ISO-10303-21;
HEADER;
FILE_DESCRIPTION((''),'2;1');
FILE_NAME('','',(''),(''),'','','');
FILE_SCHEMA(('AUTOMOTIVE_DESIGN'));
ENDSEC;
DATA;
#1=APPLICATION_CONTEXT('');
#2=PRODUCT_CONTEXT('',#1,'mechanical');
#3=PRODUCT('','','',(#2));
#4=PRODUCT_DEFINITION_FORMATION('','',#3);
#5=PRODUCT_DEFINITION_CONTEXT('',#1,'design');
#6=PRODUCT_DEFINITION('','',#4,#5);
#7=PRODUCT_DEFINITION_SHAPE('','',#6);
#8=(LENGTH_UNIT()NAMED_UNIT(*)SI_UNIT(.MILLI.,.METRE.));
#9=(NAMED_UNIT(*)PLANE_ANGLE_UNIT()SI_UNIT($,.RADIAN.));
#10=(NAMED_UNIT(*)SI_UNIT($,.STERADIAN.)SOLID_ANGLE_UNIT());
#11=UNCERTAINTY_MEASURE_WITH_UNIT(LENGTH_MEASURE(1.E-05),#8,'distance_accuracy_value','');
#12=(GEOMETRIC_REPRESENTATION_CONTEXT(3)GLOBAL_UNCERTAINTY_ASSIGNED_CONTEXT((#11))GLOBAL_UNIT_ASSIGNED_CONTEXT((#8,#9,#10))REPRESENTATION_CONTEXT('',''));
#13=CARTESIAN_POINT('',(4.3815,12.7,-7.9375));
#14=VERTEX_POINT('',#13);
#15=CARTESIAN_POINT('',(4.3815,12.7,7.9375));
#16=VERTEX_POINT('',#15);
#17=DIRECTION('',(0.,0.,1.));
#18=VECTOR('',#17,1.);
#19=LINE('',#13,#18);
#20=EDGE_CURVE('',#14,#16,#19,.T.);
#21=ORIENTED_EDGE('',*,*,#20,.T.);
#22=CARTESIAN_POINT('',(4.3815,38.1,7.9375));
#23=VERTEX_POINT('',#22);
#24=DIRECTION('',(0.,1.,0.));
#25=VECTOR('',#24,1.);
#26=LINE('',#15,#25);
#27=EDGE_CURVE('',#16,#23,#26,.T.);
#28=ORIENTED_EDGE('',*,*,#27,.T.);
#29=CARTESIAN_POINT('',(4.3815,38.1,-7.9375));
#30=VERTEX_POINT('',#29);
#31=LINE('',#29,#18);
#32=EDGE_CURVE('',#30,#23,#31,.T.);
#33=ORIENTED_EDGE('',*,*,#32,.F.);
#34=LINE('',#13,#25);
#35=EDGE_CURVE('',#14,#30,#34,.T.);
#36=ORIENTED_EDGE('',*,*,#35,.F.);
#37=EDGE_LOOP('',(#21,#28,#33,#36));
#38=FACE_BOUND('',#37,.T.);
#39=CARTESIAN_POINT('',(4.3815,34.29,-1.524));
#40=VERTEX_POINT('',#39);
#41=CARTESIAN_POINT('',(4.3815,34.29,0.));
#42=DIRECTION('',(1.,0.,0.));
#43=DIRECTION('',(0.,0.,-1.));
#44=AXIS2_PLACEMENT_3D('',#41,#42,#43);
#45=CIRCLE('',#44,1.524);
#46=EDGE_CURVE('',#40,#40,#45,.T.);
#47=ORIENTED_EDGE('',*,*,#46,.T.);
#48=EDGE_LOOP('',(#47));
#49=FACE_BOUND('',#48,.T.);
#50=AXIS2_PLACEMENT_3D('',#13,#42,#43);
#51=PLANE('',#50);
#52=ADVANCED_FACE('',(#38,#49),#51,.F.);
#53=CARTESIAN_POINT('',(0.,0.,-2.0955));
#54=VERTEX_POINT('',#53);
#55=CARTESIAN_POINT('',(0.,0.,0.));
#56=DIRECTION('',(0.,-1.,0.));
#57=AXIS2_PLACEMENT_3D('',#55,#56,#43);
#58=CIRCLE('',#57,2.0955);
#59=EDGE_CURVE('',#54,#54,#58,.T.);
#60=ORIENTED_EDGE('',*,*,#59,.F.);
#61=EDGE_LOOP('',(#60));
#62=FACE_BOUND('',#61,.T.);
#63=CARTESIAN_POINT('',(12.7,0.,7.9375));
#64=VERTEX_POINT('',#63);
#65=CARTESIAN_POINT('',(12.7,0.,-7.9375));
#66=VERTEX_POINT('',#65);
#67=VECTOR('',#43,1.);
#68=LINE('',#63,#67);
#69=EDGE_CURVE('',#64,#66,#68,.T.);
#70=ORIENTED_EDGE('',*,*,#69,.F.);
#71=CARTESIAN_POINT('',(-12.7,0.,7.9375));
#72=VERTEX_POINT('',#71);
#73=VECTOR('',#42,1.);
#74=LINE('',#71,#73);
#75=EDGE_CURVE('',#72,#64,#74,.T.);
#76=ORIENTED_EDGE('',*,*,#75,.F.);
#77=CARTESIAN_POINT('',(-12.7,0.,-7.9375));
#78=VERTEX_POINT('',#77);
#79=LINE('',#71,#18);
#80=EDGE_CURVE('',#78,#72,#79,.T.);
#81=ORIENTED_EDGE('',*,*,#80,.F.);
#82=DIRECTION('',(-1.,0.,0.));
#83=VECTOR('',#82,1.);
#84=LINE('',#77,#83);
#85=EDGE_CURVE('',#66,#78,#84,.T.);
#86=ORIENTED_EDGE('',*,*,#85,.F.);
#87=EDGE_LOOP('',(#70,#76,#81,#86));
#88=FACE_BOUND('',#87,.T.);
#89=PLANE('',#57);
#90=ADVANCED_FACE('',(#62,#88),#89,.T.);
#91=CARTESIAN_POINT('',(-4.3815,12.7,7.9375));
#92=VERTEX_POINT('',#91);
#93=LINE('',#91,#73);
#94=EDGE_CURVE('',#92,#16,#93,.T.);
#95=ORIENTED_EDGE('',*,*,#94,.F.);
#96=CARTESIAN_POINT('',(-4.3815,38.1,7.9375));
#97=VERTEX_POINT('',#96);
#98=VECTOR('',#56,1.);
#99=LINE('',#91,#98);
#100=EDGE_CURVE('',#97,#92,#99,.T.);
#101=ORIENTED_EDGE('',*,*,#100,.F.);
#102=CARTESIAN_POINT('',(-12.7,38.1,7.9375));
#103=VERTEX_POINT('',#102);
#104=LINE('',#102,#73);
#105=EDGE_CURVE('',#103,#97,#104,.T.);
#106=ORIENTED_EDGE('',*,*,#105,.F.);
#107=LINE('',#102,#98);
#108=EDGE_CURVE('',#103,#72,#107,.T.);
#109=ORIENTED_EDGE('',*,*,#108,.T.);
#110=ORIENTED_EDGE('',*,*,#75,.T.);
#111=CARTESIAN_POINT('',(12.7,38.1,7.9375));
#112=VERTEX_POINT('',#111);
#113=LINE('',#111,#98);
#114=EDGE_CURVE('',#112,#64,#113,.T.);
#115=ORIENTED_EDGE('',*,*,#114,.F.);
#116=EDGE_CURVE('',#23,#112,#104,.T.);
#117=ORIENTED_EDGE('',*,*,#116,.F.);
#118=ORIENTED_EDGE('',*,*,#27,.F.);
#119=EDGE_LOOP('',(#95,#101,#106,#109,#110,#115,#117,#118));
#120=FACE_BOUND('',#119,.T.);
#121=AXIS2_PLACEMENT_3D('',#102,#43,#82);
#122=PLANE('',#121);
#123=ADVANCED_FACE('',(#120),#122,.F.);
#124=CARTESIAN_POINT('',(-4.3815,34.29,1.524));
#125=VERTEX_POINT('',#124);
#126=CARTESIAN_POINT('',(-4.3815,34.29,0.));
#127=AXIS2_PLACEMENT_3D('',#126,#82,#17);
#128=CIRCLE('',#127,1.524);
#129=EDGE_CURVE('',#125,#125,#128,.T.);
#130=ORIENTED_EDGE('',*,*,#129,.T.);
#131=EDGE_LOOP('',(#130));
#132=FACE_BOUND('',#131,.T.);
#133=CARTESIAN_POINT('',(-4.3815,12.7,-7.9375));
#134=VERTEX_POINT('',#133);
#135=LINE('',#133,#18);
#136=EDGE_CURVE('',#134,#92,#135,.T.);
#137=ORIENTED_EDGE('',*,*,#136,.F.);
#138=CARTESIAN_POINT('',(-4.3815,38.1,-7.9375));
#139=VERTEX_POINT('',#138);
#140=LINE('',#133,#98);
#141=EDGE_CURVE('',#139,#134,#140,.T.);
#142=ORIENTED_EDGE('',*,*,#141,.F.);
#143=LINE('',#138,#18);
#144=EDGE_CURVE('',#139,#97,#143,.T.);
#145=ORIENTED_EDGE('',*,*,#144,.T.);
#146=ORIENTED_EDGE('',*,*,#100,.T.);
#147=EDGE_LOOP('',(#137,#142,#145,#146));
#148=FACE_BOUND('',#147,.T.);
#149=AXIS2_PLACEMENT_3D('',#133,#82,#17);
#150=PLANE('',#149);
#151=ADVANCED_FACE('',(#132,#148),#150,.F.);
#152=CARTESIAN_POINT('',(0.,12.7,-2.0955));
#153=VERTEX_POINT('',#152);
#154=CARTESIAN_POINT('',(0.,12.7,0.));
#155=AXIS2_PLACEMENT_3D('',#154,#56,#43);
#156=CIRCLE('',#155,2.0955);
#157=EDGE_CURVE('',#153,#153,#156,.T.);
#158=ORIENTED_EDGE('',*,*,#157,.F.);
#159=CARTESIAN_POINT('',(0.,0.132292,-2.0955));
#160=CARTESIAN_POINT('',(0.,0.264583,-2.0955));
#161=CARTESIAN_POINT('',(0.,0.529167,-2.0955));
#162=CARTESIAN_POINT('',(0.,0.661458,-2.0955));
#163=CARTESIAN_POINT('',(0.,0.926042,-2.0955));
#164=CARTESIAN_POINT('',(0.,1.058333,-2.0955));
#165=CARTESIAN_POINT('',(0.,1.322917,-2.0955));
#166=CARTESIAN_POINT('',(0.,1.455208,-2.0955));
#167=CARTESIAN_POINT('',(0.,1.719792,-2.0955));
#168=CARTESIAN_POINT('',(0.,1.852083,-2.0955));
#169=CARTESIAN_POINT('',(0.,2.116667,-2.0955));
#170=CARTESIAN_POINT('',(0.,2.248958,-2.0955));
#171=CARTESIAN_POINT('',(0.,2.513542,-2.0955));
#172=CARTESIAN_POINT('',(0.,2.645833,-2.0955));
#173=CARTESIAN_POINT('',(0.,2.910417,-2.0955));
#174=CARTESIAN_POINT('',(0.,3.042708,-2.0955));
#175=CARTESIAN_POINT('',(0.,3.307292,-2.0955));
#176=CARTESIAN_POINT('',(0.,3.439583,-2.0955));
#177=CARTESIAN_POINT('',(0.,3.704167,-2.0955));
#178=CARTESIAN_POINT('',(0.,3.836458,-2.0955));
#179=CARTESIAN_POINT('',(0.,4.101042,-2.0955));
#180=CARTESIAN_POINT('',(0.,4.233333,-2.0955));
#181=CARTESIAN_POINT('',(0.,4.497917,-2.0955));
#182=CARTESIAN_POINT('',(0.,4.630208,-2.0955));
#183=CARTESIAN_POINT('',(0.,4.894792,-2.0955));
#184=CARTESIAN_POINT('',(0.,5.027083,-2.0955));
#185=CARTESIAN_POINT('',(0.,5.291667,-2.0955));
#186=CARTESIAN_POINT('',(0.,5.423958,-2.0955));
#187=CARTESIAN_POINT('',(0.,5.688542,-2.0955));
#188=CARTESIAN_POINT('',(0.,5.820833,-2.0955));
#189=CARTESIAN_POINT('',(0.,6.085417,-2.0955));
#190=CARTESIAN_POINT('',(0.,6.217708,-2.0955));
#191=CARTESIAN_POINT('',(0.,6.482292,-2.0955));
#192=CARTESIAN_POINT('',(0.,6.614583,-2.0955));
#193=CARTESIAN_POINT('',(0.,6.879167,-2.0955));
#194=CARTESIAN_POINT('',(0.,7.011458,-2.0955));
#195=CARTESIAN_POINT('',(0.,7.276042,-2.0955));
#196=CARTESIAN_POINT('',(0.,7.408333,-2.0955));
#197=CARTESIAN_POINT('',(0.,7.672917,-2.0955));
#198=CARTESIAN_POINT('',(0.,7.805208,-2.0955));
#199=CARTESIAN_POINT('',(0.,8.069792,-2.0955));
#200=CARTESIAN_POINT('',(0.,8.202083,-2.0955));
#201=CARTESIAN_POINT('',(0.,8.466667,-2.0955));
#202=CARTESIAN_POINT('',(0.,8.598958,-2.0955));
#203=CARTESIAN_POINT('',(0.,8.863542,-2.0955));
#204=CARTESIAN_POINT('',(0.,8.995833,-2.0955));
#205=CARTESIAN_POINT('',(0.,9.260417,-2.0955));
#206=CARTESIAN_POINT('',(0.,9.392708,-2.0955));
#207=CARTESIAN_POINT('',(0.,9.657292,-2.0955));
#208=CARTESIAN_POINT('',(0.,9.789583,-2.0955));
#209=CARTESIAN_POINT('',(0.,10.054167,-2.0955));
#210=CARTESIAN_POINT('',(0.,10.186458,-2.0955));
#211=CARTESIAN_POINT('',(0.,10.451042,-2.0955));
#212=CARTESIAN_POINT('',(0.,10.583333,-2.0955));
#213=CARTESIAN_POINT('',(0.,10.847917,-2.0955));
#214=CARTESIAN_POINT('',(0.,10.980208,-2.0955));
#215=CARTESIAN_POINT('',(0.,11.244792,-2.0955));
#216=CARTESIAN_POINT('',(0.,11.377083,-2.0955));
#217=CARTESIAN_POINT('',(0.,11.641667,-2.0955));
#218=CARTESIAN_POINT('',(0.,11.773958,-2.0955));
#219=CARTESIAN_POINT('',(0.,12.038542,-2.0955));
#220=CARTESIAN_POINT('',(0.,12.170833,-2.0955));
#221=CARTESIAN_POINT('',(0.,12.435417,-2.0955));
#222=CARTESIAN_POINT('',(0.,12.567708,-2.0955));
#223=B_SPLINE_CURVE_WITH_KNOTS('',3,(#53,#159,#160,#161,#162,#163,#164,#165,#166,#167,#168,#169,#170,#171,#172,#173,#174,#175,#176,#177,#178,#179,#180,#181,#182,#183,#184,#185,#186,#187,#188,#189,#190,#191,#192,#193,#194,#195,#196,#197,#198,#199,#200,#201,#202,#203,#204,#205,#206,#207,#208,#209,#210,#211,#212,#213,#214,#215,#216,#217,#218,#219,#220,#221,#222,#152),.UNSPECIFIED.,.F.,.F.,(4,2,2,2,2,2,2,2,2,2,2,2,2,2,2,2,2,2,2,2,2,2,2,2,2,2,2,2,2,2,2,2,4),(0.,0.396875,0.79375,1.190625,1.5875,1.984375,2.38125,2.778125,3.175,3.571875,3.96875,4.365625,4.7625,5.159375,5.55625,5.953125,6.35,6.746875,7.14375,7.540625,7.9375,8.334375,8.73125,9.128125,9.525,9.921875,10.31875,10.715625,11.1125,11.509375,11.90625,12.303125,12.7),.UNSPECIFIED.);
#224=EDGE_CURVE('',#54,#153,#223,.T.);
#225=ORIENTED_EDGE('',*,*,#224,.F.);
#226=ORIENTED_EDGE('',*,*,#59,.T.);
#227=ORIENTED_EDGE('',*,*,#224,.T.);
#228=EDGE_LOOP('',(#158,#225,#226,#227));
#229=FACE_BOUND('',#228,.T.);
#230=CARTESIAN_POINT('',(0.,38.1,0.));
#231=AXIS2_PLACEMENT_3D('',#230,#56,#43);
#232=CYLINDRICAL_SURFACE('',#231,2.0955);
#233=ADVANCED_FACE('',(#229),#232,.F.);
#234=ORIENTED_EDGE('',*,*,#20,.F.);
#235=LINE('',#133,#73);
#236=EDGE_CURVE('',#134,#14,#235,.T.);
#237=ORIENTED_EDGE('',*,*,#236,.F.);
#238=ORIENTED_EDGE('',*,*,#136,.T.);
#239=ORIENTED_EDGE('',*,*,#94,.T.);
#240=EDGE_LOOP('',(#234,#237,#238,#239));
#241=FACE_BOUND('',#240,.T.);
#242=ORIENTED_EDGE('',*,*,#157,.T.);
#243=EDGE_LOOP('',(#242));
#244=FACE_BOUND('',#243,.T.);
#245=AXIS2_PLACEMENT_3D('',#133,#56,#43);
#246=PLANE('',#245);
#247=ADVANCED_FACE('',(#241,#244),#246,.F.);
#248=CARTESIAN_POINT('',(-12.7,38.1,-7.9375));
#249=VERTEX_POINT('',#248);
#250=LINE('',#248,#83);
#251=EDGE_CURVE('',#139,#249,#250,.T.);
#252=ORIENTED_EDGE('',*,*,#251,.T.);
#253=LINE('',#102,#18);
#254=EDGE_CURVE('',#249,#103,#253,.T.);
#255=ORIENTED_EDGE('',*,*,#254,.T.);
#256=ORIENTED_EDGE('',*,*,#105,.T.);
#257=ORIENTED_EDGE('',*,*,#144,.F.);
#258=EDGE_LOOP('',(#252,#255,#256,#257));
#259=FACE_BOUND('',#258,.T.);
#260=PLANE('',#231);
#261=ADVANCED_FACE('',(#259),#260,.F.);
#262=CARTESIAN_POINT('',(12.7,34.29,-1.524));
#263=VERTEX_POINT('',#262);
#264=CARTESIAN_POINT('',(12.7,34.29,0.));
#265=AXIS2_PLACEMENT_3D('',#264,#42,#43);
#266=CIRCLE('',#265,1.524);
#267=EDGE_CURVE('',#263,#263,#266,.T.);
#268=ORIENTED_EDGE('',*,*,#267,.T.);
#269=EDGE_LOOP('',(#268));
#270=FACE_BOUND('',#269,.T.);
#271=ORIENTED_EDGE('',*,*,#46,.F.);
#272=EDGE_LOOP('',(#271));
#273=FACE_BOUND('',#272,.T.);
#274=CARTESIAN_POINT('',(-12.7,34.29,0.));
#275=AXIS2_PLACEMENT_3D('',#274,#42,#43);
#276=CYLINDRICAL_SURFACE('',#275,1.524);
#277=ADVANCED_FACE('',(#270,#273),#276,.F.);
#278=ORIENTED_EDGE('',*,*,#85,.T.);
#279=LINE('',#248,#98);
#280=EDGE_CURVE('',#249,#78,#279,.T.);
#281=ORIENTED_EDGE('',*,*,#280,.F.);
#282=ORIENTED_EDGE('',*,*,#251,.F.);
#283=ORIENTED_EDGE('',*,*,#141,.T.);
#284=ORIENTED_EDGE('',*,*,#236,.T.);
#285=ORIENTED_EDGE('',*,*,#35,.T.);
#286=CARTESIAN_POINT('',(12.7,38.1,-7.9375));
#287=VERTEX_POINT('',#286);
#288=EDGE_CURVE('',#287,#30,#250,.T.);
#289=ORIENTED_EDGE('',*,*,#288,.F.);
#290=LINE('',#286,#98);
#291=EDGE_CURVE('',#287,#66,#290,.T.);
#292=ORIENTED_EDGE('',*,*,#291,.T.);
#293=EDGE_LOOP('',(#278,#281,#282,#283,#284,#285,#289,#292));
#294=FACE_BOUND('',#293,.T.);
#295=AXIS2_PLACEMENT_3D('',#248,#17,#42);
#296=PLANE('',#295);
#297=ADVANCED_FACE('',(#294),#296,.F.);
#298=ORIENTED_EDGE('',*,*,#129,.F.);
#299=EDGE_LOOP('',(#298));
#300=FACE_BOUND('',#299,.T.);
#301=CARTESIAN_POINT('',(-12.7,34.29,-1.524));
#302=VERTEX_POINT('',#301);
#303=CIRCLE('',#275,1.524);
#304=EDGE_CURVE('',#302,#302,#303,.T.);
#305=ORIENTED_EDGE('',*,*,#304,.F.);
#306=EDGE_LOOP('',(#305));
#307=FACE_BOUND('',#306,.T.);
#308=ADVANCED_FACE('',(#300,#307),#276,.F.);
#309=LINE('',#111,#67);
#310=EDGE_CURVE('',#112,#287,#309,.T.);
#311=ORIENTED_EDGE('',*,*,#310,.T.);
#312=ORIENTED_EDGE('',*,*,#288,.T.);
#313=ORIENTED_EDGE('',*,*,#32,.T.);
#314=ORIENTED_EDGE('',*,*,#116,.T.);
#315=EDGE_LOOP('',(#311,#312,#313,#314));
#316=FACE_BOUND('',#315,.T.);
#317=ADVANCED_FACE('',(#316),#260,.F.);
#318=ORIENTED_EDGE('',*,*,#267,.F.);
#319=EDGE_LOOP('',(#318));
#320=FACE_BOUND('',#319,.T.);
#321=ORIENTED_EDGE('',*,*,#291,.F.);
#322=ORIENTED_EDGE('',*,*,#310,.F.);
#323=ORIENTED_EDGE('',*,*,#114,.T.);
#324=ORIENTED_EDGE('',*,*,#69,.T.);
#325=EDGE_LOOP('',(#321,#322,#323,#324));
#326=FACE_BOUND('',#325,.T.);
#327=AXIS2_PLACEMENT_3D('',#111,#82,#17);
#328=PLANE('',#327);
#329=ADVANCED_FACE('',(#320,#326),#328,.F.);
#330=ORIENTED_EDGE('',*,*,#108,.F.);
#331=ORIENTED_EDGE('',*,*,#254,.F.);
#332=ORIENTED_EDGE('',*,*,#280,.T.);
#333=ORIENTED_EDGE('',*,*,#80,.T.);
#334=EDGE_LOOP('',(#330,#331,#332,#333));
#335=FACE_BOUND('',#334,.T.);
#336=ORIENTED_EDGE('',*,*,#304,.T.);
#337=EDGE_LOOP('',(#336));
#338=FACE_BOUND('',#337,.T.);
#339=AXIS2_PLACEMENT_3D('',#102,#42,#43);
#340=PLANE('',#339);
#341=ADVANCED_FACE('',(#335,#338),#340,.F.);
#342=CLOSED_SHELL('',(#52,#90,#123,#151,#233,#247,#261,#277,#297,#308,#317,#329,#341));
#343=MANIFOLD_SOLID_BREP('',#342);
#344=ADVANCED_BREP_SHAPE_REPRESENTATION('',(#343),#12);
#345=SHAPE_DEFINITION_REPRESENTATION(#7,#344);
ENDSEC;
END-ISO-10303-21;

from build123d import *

# Parameters (mm, degrees)
SKETCH1_W           = 25.4
SKETCH1_H           = 15.875
BOSS_EXTRUDE1_DEPTH = 38.1
SKETCH2_W           = 8.763
SKETCH2_H           = 25.4
CUT_EXTRUDE1_DEPTH  = 44.184668865
SKETCH3_R           = 1.524
CUT_EXTRUDE2_DEPTH  = 47.473367709
SKETCH4_R           = 2.0955
CUT_EXTRUDE3_DEPTH  = 41.937805342


with BuildPart() as part:
    # Sketch1 → Boss-Extrude1 (new body)
    with BuildSketch(Plane(origin=(0, 0, 0), x_dir=(1, 0, 0), z_dir=(0, 1, 0))):
        Rectangle(SKETCH1_W, SKETCH1_H)
    extrude(amount=BOSS_EXTRUDE1_DEPTH)

    # Sketch2 → Cut-Extrude1 (cut, through all)
    with BuildSketch(Plane.XY.offset(7.9375)):
        with Locations((0, 25.4)):
            Rectangle(SKETCH2_W, SKETCH2_H)
    extrude(amount=-CUT_EXTRUDE1_DEPTH, mode=Mode.SUBTRACT)

    # Sketch3 → Cut-Extrude2 (cut, through all)
    with BuildSketch(Plane(origin=(12.7, 0, 0), x_dir=(0, 0, -1), z_dir=(1, 0, 0))):
        with Locations((0, 34.29)):
            Circle(SKETCH3_R)
    extrude(amount=-CUT_EXTRUDE2_DEPTH, mode=Mode.SUBTRACT)

    # Sketch4 → Cut-Extrude3 (cut, through all)
    with BuildSketch(Plane.XZ):
        with Locations(Location((0, 0, 0), (0, 0, 270))):
            Circle(SKETCH4_R)
    extrude(amount=-CUT_EXTRUDE3_DEPTH, mode=Mode.SUBTRACT)


solid = part.part
